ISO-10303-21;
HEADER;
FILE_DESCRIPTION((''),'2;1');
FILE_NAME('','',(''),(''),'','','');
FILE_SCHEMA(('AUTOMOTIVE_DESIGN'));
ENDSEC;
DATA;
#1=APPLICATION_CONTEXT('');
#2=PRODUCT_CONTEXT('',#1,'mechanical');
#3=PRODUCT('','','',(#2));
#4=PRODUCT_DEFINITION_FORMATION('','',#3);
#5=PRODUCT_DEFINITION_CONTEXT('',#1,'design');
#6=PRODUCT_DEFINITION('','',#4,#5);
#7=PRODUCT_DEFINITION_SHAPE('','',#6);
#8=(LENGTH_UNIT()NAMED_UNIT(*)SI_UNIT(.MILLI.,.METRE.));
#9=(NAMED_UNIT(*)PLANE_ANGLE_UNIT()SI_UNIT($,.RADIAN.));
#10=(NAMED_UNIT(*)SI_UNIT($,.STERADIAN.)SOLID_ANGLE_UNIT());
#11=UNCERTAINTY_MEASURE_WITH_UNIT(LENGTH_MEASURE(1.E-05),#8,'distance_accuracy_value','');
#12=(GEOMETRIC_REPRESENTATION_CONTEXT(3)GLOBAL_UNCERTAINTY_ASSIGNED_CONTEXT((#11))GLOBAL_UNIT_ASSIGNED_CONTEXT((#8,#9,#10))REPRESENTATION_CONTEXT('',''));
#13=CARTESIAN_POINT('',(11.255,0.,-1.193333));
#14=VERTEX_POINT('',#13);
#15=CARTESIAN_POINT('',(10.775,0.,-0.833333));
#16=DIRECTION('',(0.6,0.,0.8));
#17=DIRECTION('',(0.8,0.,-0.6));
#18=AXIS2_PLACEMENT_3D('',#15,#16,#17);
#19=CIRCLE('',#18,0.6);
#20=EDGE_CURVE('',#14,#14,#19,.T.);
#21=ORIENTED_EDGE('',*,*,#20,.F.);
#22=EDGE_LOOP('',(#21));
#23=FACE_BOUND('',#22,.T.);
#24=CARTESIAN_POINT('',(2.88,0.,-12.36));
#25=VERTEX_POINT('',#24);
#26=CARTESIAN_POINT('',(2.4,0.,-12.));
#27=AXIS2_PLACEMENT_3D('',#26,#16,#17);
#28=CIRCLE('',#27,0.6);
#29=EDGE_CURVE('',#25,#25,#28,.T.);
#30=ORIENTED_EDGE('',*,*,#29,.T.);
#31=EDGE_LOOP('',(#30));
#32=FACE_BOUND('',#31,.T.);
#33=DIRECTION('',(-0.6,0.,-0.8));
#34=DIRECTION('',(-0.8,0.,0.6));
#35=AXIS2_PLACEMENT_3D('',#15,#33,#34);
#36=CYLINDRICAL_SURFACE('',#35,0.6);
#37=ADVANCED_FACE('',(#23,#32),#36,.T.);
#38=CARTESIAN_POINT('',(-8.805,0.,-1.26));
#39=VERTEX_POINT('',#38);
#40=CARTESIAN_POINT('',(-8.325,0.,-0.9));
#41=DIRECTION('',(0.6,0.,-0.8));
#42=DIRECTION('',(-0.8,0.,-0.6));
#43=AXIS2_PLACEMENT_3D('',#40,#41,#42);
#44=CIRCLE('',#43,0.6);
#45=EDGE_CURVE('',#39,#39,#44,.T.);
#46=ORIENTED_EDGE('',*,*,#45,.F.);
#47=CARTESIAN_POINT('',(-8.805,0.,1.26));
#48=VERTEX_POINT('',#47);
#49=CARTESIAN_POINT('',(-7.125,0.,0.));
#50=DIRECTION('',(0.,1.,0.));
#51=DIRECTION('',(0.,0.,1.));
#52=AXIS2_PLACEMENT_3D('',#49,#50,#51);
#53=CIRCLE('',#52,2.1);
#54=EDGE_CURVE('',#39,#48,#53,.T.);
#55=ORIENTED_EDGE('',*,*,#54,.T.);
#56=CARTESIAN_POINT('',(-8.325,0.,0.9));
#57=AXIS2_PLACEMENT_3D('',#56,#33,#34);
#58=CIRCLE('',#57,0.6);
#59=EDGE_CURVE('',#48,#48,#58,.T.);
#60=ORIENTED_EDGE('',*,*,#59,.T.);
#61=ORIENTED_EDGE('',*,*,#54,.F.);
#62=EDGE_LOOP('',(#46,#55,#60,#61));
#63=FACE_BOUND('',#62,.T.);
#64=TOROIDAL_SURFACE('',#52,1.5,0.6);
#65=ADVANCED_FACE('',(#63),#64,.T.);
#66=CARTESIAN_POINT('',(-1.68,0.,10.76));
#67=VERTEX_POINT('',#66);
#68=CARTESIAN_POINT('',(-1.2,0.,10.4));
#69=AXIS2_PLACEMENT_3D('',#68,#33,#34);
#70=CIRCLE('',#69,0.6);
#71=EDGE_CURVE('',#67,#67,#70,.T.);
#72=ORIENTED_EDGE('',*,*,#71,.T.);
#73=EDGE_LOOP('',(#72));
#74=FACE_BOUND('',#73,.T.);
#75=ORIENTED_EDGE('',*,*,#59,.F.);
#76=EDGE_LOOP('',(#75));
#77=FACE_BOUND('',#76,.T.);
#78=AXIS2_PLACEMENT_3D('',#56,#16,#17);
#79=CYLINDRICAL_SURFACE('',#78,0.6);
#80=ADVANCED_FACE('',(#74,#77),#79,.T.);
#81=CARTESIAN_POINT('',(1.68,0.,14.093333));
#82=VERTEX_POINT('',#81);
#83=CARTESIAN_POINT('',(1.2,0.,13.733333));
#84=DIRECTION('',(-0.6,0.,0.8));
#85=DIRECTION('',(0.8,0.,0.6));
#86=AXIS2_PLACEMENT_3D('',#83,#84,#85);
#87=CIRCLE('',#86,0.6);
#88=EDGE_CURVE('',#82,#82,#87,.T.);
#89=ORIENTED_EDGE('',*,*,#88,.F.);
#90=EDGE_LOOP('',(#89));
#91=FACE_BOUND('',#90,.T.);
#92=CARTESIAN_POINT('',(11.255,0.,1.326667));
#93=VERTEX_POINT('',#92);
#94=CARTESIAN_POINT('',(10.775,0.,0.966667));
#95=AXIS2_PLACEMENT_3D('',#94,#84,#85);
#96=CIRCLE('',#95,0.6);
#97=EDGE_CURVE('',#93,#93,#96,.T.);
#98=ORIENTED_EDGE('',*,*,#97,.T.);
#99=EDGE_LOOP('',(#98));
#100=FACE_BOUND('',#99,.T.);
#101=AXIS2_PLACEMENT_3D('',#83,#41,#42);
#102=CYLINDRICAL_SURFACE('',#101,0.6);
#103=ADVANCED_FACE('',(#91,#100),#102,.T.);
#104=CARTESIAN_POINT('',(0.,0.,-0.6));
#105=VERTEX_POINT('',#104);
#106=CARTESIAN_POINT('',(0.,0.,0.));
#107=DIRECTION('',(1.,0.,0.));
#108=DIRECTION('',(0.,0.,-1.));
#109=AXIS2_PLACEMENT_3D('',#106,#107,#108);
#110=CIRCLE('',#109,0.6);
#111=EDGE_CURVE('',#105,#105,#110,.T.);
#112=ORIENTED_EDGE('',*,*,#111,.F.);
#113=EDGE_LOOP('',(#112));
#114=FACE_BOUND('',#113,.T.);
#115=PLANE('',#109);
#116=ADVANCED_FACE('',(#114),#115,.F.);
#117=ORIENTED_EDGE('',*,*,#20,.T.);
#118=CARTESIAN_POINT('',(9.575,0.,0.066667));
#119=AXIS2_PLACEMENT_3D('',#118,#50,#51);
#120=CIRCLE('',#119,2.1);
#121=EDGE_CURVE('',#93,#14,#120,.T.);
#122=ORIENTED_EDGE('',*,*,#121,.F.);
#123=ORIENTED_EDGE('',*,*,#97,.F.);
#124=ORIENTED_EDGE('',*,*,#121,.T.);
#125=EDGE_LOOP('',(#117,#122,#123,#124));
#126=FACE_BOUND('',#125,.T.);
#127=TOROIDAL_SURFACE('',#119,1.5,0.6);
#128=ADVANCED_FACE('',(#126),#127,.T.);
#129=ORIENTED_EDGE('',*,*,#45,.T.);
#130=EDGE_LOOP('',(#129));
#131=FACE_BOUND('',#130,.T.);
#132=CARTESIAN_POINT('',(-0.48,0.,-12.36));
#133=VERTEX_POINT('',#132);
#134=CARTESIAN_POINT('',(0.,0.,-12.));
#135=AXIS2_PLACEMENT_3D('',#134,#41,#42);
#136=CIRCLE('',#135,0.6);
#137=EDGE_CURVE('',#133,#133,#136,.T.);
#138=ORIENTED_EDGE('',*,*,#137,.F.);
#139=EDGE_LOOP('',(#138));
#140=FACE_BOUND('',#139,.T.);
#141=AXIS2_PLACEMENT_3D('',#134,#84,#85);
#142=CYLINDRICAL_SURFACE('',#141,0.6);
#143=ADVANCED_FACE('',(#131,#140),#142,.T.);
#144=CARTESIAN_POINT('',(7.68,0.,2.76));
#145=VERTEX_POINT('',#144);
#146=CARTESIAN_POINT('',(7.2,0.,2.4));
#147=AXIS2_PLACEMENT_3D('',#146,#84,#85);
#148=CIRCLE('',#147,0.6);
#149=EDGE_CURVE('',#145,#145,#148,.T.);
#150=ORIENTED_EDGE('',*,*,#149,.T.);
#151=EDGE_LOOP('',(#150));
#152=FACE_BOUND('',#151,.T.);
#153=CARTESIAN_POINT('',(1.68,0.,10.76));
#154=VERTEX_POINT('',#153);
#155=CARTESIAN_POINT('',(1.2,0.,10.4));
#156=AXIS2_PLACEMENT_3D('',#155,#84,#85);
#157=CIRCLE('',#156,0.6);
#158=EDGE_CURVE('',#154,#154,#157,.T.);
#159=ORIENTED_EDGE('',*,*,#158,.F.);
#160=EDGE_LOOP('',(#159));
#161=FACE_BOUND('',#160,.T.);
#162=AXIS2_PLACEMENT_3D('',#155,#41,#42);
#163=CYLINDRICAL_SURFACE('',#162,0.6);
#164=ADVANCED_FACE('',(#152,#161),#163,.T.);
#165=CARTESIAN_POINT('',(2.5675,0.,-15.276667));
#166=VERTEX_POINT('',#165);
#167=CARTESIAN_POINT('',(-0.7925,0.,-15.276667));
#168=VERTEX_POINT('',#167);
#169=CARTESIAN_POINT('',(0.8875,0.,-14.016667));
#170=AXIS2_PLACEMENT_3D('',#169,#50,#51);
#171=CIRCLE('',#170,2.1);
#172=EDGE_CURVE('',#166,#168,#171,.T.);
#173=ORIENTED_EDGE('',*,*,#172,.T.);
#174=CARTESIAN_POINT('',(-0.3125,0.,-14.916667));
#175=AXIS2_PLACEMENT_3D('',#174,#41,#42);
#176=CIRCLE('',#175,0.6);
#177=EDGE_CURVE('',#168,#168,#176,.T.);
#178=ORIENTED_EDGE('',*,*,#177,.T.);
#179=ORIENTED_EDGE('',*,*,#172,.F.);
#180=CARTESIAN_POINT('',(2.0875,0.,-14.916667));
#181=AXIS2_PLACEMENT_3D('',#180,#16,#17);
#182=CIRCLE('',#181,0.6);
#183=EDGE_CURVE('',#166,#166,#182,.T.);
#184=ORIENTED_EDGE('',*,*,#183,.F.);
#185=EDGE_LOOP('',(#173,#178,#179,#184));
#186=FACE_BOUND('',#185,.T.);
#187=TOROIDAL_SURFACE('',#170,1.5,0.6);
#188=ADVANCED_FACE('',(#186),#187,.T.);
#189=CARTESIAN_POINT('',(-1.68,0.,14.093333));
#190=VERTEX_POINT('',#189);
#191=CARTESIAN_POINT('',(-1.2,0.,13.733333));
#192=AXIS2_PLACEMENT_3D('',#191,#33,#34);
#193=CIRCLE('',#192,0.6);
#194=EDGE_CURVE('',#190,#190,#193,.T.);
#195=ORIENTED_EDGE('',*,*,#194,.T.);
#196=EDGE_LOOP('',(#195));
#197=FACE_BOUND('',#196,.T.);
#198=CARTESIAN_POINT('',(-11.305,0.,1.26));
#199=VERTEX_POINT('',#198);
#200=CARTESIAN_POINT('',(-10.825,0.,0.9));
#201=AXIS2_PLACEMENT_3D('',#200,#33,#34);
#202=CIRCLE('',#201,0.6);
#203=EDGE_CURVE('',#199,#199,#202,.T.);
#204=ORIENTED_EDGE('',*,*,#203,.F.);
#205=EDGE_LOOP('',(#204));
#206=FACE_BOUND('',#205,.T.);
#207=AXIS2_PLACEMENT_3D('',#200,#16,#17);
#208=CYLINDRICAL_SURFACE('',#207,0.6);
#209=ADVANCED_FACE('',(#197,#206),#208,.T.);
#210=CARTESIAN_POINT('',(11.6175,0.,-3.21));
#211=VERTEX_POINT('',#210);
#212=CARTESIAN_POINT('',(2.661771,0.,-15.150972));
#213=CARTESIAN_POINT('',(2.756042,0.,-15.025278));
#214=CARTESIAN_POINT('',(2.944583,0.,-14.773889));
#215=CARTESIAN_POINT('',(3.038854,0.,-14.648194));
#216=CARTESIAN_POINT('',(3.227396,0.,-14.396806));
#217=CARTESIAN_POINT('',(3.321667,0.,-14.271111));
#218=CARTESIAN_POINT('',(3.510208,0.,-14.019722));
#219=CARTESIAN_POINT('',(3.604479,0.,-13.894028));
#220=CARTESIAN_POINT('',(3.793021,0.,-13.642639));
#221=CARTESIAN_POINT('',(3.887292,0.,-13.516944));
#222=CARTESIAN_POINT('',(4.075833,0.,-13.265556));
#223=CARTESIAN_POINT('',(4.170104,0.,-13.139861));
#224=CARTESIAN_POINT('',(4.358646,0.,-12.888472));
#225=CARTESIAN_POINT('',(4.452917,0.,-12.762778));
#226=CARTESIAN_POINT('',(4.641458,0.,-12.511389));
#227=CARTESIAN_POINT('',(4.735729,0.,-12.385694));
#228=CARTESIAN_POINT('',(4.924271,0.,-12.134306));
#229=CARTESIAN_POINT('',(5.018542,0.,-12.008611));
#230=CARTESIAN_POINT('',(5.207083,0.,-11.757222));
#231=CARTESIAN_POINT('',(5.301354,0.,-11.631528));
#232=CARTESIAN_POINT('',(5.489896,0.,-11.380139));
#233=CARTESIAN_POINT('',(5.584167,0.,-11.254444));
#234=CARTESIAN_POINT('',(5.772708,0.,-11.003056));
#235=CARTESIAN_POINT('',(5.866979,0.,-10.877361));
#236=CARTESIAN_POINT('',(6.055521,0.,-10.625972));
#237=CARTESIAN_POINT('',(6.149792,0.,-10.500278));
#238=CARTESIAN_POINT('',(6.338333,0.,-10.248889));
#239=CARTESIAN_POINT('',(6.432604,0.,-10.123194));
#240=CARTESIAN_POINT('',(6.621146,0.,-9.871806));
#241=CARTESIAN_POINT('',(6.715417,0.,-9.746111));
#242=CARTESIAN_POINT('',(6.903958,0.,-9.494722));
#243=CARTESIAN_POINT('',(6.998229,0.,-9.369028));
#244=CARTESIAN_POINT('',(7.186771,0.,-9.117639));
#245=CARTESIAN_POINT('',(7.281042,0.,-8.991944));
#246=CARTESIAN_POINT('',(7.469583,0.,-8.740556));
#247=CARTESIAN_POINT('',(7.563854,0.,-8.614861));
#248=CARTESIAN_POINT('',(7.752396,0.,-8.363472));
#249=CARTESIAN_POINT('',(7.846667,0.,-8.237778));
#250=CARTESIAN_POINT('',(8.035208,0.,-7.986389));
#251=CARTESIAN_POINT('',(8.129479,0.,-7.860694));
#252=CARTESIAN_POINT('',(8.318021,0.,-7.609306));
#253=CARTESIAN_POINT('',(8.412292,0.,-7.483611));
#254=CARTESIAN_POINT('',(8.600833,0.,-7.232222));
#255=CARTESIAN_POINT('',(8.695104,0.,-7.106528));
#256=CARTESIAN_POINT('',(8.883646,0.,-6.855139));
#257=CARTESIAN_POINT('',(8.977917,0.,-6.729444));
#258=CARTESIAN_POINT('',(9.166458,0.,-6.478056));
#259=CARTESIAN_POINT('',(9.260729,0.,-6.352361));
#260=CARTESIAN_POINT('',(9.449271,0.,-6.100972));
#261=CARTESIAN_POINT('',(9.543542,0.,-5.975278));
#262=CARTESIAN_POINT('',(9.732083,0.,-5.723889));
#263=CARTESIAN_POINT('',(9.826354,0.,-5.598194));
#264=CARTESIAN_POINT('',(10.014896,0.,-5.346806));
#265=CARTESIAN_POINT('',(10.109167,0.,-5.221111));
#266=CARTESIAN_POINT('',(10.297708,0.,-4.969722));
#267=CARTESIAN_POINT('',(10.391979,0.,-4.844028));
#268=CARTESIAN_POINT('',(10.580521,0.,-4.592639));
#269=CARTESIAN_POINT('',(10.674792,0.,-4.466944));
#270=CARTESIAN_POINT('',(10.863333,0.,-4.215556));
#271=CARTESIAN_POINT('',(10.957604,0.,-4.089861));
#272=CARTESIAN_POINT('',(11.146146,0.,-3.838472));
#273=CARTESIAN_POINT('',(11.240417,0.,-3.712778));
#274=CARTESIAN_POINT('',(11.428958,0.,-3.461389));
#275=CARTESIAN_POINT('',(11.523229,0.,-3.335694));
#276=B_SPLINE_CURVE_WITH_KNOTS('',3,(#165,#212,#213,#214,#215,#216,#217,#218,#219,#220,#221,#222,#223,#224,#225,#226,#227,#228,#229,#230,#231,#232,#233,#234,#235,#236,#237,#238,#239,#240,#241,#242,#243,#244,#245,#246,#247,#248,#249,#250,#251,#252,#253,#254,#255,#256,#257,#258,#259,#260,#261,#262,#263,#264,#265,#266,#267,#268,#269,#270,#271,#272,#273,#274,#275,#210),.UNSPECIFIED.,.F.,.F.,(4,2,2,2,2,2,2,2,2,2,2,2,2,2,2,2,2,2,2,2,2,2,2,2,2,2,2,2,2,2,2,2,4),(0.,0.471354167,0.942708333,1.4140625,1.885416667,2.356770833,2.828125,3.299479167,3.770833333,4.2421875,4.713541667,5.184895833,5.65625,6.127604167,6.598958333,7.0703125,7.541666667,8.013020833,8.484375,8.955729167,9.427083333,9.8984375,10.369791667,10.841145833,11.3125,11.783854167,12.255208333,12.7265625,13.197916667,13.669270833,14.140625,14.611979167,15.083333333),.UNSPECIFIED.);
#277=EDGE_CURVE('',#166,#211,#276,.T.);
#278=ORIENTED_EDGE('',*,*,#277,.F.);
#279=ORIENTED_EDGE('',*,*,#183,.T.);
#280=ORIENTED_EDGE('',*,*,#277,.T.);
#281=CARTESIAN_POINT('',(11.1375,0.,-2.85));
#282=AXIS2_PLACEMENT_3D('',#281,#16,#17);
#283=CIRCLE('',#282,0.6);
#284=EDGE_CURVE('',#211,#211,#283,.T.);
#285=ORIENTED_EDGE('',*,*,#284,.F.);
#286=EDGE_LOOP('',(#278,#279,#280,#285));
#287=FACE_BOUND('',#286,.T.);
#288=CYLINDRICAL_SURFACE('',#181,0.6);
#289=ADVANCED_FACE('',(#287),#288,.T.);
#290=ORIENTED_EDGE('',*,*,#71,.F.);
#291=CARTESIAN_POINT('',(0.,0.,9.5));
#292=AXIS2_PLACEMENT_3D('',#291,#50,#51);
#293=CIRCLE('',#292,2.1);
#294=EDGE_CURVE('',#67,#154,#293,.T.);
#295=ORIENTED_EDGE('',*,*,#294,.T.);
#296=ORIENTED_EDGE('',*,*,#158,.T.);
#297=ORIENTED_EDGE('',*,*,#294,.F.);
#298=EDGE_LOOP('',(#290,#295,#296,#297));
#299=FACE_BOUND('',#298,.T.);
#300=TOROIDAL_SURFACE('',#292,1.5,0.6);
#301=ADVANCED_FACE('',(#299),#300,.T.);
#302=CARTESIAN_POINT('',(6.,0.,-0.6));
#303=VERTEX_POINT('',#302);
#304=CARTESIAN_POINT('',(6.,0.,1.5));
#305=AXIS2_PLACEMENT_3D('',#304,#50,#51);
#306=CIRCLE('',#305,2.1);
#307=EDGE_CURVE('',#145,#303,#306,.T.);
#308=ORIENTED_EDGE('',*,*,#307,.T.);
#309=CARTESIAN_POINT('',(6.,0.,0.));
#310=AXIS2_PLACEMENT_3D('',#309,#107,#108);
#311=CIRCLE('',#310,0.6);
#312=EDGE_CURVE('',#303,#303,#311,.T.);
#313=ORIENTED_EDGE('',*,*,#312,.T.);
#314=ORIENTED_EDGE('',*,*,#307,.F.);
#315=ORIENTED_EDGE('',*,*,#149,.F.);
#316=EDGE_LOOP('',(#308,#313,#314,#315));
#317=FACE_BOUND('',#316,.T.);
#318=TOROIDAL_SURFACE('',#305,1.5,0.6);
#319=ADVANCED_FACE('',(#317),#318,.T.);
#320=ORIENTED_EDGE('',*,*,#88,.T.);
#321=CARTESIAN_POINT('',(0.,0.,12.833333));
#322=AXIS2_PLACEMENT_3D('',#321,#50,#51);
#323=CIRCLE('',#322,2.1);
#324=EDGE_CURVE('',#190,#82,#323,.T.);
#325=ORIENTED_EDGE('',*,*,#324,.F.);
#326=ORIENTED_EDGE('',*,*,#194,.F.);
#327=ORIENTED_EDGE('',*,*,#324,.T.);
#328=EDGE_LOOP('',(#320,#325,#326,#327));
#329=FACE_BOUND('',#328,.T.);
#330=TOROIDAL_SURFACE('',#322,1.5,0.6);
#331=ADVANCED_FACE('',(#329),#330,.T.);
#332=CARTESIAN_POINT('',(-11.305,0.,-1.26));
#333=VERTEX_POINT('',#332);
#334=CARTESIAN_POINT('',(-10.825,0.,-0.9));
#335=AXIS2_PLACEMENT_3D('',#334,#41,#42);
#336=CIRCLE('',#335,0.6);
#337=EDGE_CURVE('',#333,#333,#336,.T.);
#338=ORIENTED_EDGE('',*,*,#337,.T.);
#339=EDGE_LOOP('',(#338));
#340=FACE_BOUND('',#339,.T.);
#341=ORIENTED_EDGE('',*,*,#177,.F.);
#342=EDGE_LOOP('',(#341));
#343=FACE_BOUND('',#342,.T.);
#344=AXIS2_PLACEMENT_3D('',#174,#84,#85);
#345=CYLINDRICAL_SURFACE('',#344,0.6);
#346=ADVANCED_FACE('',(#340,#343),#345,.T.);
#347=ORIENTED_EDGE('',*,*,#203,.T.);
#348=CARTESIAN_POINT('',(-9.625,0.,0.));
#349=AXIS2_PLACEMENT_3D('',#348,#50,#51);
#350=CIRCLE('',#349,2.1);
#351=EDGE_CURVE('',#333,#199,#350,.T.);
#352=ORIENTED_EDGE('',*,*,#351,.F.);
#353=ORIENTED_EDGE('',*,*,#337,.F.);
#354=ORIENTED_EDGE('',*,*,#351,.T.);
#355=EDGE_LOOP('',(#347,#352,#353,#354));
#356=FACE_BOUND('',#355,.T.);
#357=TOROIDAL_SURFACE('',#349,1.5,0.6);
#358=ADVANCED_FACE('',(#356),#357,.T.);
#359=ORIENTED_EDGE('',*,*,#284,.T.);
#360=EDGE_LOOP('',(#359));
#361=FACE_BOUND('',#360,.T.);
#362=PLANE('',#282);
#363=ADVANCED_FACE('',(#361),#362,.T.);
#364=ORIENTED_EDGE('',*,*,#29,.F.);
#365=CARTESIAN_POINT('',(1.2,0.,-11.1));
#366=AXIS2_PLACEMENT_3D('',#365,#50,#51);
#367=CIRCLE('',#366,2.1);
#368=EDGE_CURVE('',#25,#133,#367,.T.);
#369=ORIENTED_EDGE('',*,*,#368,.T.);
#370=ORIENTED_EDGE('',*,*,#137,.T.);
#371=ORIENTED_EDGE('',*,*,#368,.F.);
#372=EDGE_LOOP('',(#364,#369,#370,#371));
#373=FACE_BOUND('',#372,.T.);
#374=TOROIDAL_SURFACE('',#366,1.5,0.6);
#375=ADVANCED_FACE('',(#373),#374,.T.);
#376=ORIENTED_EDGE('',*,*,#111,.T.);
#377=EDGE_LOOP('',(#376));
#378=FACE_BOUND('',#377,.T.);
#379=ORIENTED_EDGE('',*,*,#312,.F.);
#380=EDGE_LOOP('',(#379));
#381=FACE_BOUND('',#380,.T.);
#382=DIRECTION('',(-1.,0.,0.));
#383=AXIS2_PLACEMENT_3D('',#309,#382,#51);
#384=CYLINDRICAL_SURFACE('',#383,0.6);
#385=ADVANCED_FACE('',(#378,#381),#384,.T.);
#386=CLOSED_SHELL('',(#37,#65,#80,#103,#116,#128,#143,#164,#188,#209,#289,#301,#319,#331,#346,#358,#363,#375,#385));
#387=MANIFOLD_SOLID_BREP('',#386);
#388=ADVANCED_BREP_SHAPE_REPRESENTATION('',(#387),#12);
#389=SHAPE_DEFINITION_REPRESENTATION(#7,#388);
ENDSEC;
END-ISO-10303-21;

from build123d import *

# Parameters (mm, degrees)
SKETCH_3_R = 0.6


with BuildPart() as part:
    # По траектории1: sweep along a path in Эскиз2
    with BuildLine(Plane(origin=(0, 0, 0), x_dir=(1, 0, 0), z_dir=(0, 1, 0))) as sweep_1_path:
        Line((11.1375, 2.85), (2.0875, 14.916666667))
        ThreePointArc((2.0875, 14.916666667), (0.8875, 15.516666667), (-0.3125, 14.916666667))
        Line((-0.3125, 14.916666667), (-10.825, 0.9))
        ThreePointArc((-10.825, 0.9), (-11.125, 0), (-10.825, -0.9))
        Line((-10.825, -0.9), (-1.2, -13.733333333))
        ThreePointArc((-1.2, -13.733333333), (0, -14.333333333), (1.2, -13.733333333))
        Line((1.2, -13.733333333), (10.775, -0.966666667))
        ThreePointArc((10.775, -0.966666667), (11.075, -0.066666667), (10.775, 0.833333333))
        Line((10.775, 0.833333333), (2.4, 12))
        ThreePointArc((2.4, 12), (1.2, 12.6), (0, 12))
        Line((0, 12), (-8.325, 0.9))
        ThreePointArc((-8.325, 0.9), (-8.625, 0), (-8.325, -0.9))
        Line((-8.325, -0.9), (-1.2, -10.4))
        ThreePointArc((-1.2, -10.4), (0, -11), (1.2, -10.4))
        Line((1.2, -10.4), (7.2, -2.4))
        ThreePointArc((7.2, -2.4), (7.341640786, -0.829179607), (6, 0))
        Line((6, 0), (0, 0))
    # Эскиз3 → По траектории1 (sweep)
    with BuildSketch(Plane(origin=(11.1375, 0, -2.85), x_dir=(0.7999999999999999, 0, -0.6000000000000002), z_dir=(0.6000000000000001, 0, 0.7999999999999998))):
        Circle(SKETCH_3_R)
    sweep(path=sweep_1_path.line)


solid = part.part
